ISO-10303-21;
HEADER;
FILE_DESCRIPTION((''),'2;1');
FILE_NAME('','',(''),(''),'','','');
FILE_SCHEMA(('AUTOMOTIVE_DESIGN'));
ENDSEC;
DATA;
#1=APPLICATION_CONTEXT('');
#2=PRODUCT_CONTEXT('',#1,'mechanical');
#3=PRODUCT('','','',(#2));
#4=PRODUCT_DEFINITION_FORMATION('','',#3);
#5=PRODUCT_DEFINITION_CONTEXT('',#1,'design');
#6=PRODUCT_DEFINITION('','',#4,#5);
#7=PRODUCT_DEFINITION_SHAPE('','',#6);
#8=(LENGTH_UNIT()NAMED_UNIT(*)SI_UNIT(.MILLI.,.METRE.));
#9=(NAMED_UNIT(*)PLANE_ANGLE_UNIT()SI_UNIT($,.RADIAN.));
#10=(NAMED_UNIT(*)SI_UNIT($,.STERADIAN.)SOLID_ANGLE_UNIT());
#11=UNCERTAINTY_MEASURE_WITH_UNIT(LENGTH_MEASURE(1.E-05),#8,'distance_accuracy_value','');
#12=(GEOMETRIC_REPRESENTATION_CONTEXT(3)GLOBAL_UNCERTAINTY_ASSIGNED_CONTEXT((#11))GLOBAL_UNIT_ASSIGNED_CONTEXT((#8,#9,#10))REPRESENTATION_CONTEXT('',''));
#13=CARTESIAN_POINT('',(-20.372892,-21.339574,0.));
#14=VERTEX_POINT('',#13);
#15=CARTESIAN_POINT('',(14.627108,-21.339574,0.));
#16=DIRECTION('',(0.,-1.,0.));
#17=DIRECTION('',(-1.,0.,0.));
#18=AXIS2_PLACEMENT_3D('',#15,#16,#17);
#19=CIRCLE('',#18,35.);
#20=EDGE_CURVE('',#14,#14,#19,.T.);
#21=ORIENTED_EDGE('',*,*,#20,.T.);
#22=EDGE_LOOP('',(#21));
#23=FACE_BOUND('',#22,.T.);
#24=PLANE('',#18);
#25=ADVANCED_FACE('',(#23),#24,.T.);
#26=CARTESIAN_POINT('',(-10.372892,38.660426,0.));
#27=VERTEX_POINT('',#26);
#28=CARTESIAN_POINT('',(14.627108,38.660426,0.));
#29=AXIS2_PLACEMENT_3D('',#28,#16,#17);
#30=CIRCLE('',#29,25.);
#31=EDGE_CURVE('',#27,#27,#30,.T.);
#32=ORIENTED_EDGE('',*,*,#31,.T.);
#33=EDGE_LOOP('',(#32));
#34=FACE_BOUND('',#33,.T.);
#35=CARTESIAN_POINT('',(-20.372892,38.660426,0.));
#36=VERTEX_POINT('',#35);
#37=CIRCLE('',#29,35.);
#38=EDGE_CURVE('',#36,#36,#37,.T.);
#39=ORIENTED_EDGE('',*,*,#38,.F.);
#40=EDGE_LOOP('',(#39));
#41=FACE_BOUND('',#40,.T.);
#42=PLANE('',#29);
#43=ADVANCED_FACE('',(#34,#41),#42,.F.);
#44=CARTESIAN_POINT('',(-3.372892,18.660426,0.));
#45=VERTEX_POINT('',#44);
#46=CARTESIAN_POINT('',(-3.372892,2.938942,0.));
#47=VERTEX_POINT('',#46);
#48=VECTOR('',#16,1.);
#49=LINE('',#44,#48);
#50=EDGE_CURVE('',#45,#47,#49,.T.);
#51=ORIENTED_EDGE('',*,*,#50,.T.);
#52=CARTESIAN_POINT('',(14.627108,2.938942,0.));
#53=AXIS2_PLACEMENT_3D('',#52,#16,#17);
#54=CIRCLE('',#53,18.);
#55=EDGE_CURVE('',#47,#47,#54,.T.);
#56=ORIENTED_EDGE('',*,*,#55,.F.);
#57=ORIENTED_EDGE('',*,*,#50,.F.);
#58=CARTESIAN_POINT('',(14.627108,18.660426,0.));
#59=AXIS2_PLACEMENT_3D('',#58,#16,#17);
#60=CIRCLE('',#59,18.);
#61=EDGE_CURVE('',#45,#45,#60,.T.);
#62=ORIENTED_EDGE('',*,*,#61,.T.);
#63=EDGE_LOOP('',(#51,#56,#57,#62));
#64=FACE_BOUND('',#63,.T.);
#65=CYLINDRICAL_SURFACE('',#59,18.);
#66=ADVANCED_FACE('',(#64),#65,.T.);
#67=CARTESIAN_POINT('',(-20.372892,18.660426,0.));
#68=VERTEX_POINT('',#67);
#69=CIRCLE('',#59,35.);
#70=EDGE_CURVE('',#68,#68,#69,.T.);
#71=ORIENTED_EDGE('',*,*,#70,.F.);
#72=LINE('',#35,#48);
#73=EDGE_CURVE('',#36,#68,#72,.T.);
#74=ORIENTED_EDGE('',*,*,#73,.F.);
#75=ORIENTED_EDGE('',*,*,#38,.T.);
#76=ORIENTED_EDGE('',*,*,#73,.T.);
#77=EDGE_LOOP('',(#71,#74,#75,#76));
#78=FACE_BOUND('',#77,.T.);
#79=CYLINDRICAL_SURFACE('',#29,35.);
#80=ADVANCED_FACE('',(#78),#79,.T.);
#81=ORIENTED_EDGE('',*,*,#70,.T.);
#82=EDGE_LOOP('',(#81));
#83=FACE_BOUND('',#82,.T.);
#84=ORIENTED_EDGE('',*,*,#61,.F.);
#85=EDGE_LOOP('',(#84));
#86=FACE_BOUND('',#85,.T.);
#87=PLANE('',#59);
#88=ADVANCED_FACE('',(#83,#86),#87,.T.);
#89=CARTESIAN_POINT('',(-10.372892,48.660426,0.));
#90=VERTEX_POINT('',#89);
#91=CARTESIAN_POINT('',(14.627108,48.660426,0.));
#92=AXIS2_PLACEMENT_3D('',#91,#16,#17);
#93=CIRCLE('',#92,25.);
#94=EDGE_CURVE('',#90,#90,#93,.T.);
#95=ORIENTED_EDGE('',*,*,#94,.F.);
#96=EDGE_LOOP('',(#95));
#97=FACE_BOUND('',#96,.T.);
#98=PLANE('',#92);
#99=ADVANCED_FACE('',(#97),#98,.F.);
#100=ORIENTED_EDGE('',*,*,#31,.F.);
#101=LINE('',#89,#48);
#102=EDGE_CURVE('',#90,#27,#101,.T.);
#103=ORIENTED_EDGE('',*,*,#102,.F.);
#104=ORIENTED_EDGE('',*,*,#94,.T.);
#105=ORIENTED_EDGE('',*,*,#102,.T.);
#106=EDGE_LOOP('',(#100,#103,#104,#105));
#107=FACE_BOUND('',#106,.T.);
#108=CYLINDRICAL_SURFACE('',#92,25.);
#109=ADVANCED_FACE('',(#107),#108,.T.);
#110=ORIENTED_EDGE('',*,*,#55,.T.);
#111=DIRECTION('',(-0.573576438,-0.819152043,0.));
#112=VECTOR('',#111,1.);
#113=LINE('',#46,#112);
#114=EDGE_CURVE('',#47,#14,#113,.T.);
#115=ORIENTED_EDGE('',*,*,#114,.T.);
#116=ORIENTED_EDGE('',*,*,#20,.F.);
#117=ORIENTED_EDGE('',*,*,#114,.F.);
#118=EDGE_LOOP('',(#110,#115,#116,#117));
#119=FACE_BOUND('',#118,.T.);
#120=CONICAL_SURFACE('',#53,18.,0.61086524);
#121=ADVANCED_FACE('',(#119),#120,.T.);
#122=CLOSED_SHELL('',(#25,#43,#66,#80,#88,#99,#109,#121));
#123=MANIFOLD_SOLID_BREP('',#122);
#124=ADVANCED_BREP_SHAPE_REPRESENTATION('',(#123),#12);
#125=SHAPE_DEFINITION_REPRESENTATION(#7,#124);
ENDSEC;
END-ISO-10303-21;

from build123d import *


with BuildPart() as f1:
    # F0 (on Top) → F1 (revolve)
    with BuildSketch(Plane.XY):
        Polygon((-20.372892, -21.339574), (14.627108, -21.339574), (14.627108, 48.660426), (-10.372892, 48.660426), (-10.372892, 38.660426), (-20.372892, 38.660426), (-20.372892, 18.660426), (-3.372892, 18.660426), (-3.372892, 2.938942), align=None)
    revolve(axis=Axis((14.627108, 13.660426, 0), (0, -1, 0)))


solid = f1.part
